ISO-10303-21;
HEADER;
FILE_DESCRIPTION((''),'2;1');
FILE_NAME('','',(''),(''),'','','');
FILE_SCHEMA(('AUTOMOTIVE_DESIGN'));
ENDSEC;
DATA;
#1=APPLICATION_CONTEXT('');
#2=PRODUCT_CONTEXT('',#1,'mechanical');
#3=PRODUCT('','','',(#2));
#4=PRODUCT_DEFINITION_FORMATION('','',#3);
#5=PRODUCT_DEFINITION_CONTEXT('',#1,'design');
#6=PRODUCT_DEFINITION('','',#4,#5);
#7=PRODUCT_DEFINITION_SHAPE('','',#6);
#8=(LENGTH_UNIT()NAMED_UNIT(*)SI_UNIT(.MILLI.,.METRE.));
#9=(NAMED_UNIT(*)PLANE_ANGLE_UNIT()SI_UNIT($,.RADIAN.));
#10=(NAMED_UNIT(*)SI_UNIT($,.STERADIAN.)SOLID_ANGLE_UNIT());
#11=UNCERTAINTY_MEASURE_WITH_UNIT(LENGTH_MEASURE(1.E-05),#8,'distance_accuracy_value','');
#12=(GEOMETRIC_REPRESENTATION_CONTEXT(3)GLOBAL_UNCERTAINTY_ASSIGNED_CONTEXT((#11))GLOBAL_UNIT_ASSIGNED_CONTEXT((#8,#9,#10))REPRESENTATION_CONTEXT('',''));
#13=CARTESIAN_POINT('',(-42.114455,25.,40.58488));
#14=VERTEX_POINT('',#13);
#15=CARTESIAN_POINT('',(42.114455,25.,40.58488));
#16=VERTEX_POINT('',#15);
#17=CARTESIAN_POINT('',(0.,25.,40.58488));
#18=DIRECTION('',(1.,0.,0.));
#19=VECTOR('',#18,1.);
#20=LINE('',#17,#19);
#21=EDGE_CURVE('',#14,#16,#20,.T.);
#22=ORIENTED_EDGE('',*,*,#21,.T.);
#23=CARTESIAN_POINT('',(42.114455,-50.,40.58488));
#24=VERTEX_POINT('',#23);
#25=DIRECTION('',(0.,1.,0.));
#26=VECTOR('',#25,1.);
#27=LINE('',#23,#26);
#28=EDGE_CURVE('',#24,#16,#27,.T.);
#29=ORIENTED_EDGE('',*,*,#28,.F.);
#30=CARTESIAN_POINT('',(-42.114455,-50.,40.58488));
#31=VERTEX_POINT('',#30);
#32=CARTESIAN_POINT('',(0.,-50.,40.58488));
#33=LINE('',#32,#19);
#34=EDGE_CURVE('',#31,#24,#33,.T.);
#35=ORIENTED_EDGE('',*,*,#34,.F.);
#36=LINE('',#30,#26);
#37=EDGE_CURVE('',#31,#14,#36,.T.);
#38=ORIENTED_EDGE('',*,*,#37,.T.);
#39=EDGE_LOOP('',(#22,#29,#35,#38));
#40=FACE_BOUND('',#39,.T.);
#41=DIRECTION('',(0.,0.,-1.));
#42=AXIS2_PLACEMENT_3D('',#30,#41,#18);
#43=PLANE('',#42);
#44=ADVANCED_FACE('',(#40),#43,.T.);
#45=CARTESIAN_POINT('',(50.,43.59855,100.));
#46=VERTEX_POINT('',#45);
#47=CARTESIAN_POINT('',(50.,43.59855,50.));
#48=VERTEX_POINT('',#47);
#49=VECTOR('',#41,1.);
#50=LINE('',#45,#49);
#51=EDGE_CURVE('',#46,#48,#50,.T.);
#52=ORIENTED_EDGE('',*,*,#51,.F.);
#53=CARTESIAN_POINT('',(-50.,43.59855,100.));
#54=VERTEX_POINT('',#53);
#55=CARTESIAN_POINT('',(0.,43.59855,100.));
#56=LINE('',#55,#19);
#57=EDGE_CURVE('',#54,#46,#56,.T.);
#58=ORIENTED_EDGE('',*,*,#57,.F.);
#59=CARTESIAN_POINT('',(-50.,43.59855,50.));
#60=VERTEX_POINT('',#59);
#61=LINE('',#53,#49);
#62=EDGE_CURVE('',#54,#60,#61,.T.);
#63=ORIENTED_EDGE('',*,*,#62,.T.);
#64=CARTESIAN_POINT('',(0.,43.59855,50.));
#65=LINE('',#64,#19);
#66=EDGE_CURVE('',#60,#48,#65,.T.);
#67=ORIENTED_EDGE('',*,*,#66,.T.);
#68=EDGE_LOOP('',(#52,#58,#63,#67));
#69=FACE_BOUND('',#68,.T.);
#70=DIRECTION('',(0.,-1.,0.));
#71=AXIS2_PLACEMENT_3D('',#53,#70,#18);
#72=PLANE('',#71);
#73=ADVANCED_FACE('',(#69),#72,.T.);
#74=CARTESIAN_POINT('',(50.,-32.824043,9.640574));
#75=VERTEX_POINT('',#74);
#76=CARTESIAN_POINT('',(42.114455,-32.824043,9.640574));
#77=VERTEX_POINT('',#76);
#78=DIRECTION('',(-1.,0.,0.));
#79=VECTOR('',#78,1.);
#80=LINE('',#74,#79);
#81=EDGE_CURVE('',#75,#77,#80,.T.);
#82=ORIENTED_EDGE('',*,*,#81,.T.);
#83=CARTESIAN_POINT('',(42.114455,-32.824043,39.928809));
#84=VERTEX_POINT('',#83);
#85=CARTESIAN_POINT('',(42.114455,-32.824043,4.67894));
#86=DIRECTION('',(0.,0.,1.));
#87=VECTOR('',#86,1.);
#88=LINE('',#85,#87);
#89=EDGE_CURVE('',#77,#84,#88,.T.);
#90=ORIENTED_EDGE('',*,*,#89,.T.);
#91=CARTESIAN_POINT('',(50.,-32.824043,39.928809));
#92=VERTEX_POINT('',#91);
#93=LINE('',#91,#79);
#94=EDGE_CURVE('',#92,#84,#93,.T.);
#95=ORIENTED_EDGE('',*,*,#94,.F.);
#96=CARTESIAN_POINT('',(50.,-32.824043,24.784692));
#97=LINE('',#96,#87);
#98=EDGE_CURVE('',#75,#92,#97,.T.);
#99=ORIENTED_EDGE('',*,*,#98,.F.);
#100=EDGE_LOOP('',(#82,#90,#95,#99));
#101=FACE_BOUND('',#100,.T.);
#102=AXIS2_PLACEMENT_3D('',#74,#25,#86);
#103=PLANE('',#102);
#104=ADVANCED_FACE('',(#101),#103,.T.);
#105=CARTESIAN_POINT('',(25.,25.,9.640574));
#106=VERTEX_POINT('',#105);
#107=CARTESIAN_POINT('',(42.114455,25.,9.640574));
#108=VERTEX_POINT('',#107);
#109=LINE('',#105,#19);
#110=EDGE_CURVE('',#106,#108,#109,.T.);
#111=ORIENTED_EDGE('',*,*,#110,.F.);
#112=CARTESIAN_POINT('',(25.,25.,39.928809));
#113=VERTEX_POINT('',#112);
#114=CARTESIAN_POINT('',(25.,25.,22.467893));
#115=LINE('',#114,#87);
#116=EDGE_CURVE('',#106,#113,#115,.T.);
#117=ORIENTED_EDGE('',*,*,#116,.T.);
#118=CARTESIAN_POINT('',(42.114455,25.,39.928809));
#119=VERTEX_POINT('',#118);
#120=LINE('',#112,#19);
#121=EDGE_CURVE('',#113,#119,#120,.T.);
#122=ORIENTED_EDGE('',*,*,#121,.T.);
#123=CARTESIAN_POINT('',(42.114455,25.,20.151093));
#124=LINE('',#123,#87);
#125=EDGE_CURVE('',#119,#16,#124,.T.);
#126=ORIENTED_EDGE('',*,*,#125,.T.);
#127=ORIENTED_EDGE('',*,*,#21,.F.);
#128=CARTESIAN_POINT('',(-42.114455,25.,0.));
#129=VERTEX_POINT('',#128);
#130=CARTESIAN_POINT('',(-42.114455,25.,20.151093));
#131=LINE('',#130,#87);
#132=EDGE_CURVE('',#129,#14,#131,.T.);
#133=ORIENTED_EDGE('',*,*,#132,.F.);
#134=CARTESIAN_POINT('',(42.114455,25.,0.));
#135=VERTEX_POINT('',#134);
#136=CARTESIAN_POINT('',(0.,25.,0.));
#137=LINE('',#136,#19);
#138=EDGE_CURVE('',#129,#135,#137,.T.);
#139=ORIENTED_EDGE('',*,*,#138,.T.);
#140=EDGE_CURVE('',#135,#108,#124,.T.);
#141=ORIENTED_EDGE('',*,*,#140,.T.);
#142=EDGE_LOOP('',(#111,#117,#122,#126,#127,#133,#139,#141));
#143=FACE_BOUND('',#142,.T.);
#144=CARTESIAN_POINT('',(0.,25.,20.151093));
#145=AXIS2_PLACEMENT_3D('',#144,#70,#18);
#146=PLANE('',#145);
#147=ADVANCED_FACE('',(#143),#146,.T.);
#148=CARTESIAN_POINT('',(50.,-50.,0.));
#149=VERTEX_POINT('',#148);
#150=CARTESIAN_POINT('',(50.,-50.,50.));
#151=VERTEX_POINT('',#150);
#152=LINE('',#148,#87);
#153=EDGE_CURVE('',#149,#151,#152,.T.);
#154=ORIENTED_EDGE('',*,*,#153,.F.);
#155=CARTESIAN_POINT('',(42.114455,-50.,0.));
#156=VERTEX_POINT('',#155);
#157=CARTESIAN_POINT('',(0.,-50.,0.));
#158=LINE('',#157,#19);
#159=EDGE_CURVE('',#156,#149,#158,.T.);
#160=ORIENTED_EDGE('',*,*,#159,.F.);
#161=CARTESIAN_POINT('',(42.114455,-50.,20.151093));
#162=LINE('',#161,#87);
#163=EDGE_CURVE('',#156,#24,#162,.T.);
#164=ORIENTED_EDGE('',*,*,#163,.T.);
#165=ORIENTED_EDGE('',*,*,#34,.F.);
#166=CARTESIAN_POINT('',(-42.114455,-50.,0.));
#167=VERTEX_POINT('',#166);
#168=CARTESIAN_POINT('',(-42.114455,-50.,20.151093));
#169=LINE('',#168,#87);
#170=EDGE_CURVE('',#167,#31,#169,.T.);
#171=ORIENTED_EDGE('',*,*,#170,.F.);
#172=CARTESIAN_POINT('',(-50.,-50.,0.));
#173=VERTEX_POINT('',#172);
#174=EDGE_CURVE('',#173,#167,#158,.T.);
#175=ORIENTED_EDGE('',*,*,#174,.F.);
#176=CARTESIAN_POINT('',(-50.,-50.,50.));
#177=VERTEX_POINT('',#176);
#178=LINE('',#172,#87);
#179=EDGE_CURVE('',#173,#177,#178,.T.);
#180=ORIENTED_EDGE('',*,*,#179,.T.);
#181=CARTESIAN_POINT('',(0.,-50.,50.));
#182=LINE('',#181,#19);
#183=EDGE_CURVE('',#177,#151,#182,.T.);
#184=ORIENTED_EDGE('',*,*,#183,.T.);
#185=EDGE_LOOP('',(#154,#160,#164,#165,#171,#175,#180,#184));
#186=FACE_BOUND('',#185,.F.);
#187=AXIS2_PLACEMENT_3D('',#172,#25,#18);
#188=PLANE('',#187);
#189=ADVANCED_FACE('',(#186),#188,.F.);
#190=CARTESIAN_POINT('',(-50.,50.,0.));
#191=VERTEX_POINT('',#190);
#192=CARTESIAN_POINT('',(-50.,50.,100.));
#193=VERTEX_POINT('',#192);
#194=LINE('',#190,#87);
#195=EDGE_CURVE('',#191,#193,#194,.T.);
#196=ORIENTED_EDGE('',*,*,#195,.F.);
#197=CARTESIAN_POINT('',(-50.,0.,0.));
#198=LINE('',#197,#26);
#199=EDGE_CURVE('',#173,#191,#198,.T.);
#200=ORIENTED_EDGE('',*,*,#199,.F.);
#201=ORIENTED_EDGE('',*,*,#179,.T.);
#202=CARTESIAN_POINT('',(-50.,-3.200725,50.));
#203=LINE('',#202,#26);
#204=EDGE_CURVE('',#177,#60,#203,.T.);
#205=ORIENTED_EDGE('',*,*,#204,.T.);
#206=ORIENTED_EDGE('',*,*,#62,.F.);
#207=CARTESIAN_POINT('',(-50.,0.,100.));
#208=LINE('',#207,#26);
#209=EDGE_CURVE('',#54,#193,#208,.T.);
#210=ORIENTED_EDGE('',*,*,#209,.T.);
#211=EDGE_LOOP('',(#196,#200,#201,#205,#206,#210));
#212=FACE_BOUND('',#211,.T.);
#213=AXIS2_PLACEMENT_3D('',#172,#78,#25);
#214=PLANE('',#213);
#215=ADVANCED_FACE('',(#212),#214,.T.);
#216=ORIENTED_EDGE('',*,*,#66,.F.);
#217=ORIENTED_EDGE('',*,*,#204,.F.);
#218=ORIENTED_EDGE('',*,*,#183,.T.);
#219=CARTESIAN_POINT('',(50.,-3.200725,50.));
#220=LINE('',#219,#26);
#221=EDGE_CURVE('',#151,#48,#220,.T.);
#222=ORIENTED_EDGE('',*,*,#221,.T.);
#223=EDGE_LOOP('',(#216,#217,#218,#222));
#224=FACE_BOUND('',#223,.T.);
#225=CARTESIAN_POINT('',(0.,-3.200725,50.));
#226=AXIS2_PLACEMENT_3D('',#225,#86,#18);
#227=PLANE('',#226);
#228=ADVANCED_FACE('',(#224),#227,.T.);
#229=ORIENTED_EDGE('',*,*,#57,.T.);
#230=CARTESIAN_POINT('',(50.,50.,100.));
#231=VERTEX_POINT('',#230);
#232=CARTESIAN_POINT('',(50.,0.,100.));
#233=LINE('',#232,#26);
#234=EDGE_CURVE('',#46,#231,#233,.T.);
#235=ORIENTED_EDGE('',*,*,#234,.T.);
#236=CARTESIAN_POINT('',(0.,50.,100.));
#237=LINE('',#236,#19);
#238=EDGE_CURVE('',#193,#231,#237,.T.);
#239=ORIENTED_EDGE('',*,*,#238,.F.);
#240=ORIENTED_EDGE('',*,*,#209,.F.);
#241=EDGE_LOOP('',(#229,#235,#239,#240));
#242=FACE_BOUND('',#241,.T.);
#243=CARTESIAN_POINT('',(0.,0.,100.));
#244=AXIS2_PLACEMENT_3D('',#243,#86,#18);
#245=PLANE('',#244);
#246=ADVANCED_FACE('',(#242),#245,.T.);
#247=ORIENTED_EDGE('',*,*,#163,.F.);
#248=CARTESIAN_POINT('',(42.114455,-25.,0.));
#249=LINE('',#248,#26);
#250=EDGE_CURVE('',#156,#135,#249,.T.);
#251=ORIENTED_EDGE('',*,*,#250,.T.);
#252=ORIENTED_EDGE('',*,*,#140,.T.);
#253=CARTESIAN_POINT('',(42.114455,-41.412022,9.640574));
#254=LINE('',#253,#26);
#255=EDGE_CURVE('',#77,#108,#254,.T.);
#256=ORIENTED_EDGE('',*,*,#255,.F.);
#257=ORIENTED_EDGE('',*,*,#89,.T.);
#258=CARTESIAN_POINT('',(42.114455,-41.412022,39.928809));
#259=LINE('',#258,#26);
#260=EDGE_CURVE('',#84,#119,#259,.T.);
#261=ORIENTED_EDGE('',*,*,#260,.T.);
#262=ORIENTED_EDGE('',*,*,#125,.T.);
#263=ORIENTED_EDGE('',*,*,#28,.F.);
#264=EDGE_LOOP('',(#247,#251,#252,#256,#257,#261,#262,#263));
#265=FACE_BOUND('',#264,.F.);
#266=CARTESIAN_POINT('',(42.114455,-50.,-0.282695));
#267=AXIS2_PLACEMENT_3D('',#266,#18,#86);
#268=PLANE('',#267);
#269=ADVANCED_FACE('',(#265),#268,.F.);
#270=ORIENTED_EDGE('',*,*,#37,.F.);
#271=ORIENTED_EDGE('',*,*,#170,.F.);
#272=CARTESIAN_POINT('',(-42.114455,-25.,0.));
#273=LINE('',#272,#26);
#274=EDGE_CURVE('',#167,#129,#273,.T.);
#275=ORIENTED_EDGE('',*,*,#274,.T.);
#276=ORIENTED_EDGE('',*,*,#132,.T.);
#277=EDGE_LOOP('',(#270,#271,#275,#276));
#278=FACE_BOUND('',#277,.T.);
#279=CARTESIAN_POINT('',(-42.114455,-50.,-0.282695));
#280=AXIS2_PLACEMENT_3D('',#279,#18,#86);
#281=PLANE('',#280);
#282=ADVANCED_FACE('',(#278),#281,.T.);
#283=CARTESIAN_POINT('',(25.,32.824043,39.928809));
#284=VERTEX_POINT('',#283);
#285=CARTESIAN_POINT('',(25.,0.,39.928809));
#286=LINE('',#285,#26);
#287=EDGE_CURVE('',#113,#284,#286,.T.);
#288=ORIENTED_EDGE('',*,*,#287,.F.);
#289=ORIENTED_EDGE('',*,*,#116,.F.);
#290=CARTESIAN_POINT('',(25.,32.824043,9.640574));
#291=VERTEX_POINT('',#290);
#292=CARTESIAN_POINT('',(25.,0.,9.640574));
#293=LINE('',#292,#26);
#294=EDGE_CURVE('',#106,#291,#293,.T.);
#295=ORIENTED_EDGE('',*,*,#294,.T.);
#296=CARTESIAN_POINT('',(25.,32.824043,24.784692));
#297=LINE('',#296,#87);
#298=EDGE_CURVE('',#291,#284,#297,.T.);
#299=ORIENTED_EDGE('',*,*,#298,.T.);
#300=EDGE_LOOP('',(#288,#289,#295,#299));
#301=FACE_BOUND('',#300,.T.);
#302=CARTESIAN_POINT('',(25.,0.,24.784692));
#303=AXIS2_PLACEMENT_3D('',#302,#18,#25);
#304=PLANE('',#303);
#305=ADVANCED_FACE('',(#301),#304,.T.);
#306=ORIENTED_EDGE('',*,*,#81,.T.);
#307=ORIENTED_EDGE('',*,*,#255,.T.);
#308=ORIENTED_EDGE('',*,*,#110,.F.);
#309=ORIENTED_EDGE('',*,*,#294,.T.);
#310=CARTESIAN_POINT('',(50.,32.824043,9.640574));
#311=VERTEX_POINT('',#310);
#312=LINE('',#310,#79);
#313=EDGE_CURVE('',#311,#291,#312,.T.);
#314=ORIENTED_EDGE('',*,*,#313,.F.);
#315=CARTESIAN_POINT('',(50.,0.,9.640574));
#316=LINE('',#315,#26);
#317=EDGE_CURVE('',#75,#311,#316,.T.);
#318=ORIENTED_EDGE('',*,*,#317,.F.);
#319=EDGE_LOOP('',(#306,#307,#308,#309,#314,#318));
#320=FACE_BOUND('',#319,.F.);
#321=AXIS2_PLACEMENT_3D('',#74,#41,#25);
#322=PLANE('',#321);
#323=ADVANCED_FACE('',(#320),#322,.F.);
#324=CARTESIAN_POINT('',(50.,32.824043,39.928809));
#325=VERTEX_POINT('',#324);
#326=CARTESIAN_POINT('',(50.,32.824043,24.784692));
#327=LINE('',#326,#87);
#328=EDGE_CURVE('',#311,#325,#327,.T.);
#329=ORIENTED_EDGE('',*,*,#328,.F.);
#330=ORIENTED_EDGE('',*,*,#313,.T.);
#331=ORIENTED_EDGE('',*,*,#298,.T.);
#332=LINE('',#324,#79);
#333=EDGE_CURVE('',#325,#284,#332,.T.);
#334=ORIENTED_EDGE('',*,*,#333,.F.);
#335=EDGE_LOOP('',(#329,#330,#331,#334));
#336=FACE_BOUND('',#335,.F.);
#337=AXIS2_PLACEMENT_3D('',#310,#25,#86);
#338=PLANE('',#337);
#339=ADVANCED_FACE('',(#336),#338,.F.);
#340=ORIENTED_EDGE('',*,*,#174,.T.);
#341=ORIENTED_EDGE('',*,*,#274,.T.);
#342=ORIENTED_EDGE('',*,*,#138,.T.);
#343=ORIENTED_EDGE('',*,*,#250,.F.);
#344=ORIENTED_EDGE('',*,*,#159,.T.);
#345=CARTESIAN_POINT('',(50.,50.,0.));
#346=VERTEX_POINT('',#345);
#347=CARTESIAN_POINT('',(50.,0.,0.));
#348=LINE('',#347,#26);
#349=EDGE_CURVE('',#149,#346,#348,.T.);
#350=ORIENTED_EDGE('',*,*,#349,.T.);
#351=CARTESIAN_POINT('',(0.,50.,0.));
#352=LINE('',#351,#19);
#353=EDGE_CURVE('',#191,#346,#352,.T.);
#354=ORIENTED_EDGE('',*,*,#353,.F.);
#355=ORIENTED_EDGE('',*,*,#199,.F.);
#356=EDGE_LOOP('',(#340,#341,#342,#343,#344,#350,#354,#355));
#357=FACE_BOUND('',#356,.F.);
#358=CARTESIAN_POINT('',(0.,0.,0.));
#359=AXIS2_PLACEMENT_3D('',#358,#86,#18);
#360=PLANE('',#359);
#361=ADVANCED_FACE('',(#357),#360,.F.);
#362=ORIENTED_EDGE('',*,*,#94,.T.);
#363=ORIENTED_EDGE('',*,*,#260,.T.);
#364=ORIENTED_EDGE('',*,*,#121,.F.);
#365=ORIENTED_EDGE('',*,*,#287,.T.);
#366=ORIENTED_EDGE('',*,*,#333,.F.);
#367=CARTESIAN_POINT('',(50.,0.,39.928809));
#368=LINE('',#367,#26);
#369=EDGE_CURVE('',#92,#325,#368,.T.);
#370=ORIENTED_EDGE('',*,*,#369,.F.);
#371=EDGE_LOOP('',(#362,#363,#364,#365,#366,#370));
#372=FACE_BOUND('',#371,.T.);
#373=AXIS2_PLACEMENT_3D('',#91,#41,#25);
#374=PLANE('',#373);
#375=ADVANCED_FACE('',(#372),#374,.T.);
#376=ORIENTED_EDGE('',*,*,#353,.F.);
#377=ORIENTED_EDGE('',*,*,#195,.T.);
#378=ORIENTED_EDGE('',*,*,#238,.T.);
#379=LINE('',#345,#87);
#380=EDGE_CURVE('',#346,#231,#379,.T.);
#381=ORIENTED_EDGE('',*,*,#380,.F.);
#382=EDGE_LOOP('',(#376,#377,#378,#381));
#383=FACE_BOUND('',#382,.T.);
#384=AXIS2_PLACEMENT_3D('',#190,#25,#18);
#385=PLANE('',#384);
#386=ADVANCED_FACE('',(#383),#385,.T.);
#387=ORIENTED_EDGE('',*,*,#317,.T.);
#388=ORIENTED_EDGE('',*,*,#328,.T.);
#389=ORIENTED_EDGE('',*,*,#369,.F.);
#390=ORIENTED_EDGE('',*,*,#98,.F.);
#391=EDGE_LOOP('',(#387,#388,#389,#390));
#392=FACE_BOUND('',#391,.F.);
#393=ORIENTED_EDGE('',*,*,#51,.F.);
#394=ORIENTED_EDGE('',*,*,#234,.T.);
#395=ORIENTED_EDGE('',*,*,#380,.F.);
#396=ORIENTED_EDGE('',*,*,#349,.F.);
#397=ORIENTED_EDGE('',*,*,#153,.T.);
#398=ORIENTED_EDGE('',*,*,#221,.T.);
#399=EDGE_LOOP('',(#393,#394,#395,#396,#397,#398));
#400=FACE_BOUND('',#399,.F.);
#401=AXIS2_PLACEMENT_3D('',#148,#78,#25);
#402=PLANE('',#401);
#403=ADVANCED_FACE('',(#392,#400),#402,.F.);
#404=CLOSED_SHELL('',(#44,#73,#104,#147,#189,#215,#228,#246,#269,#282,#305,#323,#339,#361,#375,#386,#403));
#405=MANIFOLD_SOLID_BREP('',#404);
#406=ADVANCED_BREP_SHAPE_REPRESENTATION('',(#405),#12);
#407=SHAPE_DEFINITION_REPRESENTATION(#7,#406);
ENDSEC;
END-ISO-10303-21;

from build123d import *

# Parameters (mm, degrees)
F0_W     = 100
F0_H     = 100
F1_DEPTH = 100
F2_W     = 100
F2_H     = 93.59855
F3_DEPTH = 50
F4_W     = 84.22891
F4_H     = 40.867575
F5_DEPTH = 75
F6_W     = 65.648086
F6_H     = 30.288235
F7_DEPTH = 25


with BuildPart() as f1:
    # F0 (on Top) → F1 (new body)
    with BuildSketch(Plane.XY):
        Rectangle(F0_W, F0_H)
    extrude(amount=F1_DEPTH)

    # F2 (on face) → F3 (cut)
    with BuildSketch(Plane.XY.offset(100)):
        with Locations((0, -3.200725)):
            Rectangle(F2_W, F2_H)
    extrude(amount=-F3_DEPTH, mode=Mode.SUBTRACT)

    # F4 (on face) → F5 (cut)
    with BuildSketch(Plane.XZ.offset(50)):
        with Locations((0, 20.151093)):
            Rectangle(F4_W, F4_H)
    extrude(amount=-F5_DEPTH, mode=Mode.SUBTRACT)

    # F6 (on face) → F7 (cut)
    with BuildSketch(Plane.YZ.offset(50)):
        with Locations((0, 24.784692)):
            Rectangle(F6_W, F6_H)
    extrude(amount=-F7_DEPTH, mode=Mode.SUBTRACT)


solid = f1.part
